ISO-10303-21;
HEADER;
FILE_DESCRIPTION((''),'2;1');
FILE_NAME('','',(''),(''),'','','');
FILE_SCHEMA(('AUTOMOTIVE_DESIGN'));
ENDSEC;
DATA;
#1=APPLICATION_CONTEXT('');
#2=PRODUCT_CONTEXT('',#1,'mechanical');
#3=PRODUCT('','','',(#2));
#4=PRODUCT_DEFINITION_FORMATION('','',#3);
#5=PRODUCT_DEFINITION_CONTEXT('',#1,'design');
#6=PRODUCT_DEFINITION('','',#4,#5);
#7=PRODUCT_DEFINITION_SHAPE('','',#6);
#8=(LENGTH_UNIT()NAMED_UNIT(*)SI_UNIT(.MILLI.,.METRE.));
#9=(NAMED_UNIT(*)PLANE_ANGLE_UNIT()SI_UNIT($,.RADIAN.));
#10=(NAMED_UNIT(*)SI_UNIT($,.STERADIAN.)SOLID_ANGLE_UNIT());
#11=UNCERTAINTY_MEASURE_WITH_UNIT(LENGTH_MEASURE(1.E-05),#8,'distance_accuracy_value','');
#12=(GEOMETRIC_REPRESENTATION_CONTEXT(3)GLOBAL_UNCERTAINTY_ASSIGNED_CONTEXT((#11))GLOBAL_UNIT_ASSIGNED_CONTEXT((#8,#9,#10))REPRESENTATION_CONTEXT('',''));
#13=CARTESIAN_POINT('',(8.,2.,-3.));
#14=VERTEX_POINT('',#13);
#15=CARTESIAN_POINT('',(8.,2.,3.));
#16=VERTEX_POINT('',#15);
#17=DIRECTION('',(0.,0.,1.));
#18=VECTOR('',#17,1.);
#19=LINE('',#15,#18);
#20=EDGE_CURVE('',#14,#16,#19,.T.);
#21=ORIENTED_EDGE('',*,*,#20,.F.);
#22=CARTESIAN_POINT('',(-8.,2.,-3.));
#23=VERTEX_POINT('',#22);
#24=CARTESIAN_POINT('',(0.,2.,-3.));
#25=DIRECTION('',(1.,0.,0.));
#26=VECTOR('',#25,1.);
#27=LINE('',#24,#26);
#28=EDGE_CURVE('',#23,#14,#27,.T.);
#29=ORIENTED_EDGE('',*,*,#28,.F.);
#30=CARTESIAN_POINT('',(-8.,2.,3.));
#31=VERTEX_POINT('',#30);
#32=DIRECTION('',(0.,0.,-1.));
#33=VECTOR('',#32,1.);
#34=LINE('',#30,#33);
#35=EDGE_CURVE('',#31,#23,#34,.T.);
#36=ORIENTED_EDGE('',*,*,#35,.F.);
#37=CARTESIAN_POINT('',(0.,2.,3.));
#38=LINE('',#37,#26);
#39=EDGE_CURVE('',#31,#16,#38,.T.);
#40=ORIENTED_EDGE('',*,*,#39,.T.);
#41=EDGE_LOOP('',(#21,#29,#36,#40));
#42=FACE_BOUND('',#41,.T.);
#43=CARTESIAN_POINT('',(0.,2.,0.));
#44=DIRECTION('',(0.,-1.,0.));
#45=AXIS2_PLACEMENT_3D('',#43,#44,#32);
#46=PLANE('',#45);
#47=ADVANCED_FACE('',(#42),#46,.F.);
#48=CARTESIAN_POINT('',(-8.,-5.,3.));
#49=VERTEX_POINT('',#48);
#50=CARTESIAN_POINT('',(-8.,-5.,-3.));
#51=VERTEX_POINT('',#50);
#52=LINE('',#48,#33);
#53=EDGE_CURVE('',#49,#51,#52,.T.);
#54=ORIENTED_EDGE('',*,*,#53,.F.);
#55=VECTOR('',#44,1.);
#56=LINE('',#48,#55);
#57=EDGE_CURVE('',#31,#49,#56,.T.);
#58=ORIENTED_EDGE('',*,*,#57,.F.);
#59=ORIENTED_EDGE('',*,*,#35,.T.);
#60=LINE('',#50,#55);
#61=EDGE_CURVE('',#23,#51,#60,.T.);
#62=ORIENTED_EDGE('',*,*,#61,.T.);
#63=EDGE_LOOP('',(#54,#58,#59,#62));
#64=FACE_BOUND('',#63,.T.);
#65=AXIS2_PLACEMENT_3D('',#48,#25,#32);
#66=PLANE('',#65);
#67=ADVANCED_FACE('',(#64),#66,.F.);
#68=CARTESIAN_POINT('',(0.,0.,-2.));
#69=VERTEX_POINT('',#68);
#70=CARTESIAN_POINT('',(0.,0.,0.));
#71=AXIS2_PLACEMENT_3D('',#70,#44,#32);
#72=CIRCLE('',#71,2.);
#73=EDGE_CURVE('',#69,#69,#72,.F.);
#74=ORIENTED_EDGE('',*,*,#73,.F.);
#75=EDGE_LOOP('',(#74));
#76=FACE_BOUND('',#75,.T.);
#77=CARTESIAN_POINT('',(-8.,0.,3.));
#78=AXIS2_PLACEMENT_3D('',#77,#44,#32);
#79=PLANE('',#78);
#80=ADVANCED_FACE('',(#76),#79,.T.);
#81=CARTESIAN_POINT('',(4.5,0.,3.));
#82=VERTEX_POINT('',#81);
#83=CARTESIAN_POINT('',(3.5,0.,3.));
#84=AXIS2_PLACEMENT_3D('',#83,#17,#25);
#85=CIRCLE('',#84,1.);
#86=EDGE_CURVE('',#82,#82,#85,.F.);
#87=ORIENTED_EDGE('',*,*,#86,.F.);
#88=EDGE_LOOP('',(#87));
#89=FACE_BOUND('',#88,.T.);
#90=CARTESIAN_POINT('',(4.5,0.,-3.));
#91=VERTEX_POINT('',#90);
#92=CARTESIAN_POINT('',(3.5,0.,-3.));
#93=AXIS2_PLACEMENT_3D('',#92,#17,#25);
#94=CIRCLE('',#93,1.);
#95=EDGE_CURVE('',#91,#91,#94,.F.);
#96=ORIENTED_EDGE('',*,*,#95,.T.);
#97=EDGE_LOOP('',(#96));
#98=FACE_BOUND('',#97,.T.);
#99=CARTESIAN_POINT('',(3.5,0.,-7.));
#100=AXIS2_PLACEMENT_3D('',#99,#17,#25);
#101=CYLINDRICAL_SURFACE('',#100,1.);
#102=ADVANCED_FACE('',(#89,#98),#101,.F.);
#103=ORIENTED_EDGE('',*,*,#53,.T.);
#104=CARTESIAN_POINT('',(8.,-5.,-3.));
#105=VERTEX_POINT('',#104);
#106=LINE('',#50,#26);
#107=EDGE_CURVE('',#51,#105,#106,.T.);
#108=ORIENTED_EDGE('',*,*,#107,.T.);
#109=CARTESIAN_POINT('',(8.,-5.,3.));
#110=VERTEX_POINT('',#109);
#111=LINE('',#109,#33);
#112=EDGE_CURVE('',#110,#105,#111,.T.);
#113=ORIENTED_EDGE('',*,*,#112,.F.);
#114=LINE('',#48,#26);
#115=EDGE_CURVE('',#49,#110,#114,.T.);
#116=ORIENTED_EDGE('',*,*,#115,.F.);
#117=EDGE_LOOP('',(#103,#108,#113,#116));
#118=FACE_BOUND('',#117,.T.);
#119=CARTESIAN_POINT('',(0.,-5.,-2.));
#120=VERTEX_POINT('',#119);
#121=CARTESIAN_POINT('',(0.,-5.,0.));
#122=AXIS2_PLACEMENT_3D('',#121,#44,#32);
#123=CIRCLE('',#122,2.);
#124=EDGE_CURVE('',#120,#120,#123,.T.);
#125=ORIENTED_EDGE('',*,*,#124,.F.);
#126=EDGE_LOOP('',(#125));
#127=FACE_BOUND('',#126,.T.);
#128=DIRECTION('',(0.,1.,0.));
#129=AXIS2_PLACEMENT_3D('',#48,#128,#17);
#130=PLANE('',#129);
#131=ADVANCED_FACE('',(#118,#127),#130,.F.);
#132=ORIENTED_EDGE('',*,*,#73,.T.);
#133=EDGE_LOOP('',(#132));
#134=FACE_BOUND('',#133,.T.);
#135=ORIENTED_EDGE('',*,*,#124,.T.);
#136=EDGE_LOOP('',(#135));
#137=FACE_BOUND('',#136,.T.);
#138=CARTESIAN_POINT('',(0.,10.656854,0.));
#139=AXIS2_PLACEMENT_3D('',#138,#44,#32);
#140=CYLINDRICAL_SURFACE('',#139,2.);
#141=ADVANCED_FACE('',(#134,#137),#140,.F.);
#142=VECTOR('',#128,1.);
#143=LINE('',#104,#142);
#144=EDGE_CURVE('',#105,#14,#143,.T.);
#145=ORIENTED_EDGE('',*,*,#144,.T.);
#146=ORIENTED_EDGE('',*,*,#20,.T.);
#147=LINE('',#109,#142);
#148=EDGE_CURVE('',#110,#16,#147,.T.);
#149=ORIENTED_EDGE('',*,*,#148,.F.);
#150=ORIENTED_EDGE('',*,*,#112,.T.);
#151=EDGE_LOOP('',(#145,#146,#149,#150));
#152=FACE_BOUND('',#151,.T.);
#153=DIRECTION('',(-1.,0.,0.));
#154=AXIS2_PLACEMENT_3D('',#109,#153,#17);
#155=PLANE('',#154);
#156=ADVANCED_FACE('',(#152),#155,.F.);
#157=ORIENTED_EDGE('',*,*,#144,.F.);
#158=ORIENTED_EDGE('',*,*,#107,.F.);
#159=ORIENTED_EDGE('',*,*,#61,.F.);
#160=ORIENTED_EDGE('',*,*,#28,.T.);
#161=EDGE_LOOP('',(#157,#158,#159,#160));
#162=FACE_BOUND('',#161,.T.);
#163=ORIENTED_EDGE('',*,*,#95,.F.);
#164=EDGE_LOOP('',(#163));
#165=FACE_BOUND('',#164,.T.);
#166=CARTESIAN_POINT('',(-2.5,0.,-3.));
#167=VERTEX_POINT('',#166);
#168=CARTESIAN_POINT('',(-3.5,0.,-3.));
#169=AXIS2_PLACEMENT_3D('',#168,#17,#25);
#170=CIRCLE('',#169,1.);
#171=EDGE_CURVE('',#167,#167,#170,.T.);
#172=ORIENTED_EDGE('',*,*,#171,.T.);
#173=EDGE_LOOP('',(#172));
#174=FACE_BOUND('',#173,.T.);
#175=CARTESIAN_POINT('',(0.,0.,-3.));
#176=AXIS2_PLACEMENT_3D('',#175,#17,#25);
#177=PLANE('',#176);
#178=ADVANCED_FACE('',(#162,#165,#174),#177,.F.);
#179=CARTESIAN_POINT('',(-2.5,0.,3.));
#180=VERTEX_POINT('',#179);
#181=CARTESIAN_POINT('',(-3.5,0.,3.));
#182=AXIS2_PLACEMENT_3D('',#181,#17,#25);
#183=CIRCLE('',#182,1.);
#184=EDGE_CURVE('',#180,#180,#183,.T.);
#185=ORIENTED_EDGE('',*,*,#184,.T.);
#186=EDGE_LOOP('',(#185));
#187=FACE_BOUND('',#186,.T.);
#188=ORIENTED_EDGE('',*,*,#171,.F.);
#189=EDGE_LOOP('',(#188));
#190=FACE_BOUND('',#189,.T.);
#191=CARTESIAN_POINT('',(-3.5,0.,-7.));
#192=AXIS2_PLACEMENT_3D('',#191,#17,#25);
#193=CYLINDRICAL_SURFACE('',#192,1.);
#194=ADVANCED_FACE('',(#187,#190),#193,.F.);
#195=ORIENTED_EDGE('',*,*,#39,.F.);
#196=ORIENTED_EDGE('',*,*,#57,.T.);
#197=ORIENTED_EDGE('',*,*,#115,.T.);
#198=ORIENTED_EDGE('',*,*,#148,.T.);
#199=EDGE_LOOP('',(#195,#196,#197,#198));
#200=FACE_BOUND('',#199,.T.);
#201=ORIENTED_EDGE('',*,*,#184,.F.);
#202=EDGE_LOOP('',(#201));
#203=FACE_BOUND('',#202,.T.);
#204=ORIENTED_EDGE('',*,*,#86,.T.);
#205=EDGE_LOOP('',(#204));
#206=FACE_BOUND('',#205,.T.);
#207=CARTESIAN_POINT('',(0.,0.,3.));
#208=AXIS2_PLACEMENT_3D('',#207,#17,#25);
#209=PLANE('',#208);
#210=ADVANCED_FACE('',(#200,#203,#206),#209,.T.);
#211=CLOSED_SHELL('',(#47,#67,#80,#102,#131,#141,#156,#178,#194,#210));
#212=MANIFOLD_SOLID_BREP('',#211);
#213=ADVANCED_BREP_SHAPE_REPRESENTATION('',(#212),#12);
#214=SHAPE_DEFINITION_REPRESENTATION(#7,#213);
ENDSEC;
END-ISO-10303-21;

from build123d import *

# Parameters (mm, degrees)
SKETCH_1_W          = 16
SKETCH_1_H          = 10
EXTRUDE_1_DEPTH     = 3
SKETCH_2_R          = 2
CUT_EXTRUDE_1_DEPTH = 5
SKETCH_4_R          = 1
CUT_EXTRUDE_2_DEPTH = 10
SKETCH_5_W          = 20.147345776
SKETCH_5_H          = 7.992609138
CUT_EXTRUDE_3_DEPTH = 3


with BuildPart() as part:
    # 스케치1 → 보스-돌출1 (new, symmetric)
    with BuildSketch(Plane.XY):
        Rectangle(SKETCH_1_W, SKETCH_1_H)
    extrude(amount=EXTRUDE_1_DEPTH, both=True)

    # 스케치2 → 컷-돌출1 (cut)
    with BuildSketch(Plane.XZ.offset(5)):
        with Locations(Location((0, 0, 0), (0, 0, 270))):
            Circle(SKETCH_2_R)
    extrude(amount=-CUT_EXTRUDE_1_DEPTH, mode=Mode.SUBTRACT)

    # 스케치4 → 컷-돌출2 (cut)
    with BuildSketch(Plane.XY.offset(3)):
        with Locations((-3.5, 0)):
            Circle(SKETCH_4_R)
        with Locations((3.5, 0)):
            Circle(SKETCH_4_R)
    extrude(amount=-CUT_EXTRUDE_2_DEPTH, mode=Mode.SUBTRACT)

    # 스케치5 → 컷-돌출3 (cut)
    with BuildSketch(Plane(origin=(0, 5, 0), x_dir=(1, 0, 0), z_dir=(0, 1, 0))):
        Rectangle(SKETCH_5_W, SKETCH_5_H)
    extrude(amount=-CUT_EXTRUDE_3_DEPTH, mode=Mode.SUBTRACT)


solid = part.part
